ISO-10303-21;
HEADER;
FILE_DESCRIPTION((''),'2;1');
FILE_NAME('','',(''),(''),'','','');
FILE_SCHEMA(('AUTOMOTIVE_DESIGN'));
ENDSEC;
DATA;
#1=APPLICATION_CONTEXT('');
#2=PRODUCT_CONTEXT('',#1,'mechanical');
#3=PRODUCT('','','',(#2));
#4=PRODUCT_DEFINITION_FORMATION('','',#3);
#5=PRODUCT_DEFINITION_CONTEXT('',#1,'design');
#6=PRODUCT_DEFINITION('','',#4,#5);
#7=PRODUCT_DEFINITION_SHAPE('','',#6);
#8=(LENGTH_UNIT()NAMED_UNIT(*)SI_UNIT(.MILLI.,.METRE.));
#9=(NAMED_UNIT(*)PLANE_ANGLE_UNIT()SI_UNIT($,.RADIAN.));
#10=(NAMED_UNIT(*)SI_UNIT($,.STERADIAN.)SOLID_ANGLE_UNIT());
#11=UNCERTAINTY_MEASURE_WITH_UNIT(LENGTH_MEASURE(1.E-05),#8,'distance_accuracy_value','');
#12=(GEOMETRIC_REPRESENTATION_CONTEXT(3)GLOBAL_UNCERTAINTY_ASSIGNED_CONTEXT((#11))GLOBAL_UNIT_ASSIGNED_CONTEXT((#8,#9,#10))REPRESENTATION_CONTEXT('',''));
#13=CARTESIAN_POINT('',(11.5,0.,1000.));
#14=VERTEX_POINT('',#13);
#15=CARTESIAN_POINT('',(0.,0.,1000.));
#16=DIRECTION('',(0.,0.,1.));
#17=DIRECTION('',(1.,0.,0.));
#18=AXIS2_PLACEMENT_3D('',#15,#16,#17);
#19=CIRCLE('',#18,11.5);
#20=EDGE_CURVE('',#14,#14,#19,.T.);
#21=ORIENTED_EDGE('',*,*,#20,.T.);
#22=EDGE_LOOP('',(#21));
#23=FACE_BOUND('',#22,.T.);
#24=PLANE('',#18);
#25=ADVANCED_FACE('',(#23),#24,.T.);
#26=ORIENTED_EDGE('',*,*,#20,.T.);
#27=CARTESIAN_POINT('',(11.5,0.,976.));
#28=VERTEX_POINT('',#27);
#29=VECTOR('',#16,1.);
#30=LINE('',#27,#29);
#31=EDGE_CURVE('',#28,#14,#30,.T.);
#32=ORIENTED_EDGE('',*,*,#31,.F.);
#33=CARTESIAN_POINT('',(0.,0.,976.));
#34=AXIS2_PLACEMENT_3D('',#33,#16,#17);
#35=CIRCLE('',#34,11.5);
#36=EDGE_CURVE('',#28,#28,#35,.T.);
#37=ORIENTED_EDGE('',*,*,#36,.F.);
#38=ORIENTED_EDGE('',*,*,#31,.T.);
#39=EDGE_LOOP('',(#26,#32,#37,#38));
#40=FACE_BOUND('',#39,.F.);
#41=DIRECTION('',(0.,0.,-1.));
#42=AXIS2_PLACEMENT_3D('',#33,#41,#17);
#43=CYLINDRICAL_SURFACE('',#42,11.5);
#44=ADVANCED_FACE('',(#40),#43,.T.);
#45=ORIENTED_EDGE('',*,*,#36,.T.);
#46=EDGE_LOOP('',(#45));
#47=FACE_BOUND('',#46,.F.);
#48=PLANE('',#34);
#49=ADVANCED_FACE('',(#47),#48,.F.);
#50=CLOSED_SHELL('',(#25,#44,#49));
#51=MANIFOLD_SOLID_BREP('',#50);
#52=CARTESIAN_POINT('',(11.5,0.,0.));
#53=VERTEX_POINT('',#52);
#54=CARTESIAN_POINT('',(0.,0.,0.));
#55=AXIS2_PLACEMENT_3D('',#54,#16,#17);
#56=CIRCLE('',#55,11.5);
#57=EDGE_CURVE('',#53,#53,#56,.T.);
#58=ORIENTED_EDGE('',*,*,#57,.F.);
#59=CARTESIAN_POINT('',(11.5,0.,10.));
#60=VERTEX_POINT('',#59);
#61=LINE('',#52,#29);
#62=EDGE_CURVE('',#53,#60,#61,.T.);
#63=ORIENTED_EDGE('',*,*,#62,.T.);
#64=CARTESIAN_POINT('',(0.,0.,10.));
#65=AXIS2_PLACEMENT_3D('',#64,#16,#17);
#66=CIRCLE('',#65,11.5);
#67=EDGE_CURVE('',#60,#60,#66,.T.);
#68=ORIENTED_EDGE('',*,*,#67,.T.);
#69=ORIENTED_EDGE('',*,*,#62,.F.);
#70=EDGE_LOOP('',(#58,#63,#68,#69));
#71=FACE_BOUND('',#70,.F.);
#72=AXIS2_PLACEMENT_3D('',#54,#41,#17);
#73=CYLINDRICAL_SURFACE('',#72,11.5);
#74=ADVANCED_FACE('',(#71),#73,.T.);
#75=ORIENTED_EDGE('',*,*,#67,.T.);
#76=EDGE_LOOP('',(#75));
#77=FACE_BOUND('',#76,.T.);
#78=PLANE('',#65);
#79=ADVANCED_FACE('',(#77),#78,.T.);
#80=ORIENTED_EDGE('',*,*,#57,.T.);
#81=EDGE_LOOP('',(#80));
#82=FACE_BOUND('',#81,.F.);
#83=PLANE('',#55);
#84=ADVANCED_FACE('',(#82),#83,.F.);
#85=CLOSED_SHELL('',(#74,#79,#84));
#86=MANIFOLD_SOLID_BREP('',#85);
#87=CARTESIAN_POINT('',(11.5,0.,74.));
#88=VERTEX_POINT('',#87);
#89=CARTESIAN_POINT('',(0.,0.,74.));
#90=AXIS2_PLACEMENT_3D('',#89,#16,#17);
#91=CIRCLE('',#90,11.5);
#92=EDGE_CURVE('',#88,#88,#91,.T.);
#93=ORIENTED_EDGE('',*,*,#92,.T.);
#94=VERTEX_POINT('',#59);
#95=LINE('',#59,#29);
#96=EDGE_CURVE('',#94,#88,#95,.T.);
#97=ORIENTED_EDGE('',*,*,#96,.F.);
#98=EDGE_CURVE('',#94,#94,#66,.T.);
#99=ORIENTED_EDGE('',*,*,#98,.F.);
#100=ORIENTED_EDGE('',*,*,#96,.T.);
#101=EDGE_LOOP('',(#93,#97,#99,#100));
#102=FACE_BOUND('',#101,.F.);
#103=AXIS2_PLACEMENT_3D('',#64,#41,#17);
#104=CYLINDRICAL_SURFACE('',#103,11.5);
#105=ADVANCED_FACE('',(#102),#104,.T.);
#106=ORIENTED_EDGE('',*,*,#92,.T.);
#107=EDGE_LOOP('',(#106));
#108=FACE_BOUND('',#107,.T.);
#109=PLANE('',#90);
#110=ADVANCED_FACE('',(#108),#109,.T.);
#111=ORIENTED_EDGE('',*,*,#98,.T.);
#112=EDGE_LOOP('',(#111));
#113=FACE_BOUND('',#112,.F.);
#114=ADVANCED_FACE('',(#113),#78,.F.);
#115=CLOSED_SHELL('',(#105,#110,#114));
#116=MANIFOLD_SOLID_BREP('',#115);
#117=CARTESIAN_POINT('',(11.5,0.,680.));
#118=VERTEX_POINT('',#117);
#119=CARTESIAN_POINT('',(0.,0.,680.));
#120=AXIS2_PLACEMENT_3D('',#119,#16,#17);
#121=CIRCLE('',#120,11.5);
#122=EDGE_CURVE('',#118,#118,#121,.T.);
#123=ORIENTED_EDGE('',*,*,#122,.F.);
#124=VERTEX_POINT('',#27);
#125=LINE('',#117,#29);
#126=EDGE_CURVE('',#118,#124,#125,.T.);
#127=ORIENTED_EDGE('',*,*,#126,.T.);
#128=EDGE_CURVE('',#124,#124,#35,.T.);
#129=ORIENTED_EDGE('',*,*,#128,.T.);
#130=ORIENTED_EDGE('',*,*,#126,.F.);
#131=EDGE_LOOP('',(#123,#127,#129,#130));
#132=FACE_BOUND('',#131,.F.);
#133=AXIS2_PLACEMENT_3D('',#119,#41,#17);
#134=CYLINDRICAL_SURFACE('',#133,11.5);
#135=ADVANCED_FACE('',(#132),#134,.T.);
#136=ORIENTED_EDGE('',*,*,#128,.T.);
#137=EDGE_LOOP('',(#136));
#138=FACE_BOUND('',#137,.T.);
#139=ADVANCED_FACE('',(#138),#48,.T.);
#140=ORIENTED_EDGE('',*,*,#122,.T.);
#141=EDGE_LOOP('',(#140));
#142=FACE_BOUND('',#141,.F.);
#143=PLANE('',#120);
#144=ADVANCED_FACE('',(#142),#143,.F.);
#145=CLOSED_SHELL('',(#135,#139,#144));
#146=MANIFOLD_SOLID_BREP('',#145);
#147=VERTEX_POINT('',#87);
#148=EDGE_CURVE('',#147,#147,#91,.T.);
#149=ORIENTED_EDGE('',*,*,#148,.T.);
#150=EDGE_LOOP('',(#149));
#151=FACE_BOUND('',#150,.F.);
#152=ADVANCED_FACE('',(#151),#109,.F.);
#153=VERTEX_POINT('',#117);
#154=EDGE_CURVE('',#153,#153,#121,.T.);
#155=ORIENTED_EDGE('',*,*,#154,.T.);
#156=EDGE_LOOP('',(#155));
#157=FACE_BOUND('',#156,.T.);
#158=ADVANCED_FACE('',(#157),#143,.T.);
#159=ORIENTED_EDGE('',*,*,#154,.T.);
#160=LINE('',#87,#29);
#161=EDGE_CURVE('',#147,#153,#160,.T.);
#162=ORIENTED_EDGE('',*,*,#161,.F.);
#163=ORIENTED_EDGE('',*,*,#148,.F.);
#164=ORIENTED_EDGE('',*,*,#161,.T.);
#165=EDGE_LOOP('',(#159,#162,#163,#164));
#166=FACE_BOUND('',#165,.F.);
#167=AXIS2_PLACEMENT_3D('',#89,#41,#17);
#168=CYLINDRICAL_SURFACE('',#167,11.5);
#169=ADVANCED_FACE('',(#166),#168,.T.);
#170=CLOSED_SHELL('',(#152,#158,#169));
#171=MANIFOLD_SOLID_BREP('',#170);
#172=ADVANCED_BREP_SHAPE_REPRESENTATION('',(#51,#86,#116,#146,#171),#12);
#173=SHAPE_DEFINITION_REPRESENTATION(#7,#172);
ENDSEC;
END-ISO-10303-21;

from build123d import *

# Parameters (mm, degrees)
F0_R      = 11.5
F1_DEPTH  = 10
F3_R      = 11.5
F4_DEPTH  = 64
F6_R      = 11.5
F7_DEPTH  = 606
F9_R      = 11.5
F10_DEPTH = 296
F12_R     = 11.5
F13_DEPTH = 24


with BuildPart() as f1:
    # F0 (on Top) → F1 (new body)
    with BuildSketch(Plane.XY):
        Circle(F0_R)
    extrude(amount=F1_DEPTH)


with BuildPart() as f4:
    # F3 (on offset) → F4 (new body)
    with BuildSketch(Plane.XY.offset(10)):
        Circle(F3_R)
    extrude(amount=F4_DEPTH)


with BuildPart() as f7:
    # F6 (on offset) → F7 (new body)
    with BuildSketch(Plane.XY.offset(74)):
        Circle(F6_R)
    extrude(amount=F7_DEPTH)


with BuildPart() as f10:
    # F9 (on offset) → F10 (new body)
    with BuildSketch(Plane.XY.offset(680)):
        Circle(F9_R)
    extrude(amount=F10_DEPTH)


with BuildPart() as f13:
    # F12 (on offset) → F13 (new body)
    with BuildSketch(Plane.XY.offset(976)):
        Circle(F12_R)
    extrude(amount=F13_DEPTH)


solid = Compound([f1.part, f4.part, f7.part, f10.part, f13.part])
